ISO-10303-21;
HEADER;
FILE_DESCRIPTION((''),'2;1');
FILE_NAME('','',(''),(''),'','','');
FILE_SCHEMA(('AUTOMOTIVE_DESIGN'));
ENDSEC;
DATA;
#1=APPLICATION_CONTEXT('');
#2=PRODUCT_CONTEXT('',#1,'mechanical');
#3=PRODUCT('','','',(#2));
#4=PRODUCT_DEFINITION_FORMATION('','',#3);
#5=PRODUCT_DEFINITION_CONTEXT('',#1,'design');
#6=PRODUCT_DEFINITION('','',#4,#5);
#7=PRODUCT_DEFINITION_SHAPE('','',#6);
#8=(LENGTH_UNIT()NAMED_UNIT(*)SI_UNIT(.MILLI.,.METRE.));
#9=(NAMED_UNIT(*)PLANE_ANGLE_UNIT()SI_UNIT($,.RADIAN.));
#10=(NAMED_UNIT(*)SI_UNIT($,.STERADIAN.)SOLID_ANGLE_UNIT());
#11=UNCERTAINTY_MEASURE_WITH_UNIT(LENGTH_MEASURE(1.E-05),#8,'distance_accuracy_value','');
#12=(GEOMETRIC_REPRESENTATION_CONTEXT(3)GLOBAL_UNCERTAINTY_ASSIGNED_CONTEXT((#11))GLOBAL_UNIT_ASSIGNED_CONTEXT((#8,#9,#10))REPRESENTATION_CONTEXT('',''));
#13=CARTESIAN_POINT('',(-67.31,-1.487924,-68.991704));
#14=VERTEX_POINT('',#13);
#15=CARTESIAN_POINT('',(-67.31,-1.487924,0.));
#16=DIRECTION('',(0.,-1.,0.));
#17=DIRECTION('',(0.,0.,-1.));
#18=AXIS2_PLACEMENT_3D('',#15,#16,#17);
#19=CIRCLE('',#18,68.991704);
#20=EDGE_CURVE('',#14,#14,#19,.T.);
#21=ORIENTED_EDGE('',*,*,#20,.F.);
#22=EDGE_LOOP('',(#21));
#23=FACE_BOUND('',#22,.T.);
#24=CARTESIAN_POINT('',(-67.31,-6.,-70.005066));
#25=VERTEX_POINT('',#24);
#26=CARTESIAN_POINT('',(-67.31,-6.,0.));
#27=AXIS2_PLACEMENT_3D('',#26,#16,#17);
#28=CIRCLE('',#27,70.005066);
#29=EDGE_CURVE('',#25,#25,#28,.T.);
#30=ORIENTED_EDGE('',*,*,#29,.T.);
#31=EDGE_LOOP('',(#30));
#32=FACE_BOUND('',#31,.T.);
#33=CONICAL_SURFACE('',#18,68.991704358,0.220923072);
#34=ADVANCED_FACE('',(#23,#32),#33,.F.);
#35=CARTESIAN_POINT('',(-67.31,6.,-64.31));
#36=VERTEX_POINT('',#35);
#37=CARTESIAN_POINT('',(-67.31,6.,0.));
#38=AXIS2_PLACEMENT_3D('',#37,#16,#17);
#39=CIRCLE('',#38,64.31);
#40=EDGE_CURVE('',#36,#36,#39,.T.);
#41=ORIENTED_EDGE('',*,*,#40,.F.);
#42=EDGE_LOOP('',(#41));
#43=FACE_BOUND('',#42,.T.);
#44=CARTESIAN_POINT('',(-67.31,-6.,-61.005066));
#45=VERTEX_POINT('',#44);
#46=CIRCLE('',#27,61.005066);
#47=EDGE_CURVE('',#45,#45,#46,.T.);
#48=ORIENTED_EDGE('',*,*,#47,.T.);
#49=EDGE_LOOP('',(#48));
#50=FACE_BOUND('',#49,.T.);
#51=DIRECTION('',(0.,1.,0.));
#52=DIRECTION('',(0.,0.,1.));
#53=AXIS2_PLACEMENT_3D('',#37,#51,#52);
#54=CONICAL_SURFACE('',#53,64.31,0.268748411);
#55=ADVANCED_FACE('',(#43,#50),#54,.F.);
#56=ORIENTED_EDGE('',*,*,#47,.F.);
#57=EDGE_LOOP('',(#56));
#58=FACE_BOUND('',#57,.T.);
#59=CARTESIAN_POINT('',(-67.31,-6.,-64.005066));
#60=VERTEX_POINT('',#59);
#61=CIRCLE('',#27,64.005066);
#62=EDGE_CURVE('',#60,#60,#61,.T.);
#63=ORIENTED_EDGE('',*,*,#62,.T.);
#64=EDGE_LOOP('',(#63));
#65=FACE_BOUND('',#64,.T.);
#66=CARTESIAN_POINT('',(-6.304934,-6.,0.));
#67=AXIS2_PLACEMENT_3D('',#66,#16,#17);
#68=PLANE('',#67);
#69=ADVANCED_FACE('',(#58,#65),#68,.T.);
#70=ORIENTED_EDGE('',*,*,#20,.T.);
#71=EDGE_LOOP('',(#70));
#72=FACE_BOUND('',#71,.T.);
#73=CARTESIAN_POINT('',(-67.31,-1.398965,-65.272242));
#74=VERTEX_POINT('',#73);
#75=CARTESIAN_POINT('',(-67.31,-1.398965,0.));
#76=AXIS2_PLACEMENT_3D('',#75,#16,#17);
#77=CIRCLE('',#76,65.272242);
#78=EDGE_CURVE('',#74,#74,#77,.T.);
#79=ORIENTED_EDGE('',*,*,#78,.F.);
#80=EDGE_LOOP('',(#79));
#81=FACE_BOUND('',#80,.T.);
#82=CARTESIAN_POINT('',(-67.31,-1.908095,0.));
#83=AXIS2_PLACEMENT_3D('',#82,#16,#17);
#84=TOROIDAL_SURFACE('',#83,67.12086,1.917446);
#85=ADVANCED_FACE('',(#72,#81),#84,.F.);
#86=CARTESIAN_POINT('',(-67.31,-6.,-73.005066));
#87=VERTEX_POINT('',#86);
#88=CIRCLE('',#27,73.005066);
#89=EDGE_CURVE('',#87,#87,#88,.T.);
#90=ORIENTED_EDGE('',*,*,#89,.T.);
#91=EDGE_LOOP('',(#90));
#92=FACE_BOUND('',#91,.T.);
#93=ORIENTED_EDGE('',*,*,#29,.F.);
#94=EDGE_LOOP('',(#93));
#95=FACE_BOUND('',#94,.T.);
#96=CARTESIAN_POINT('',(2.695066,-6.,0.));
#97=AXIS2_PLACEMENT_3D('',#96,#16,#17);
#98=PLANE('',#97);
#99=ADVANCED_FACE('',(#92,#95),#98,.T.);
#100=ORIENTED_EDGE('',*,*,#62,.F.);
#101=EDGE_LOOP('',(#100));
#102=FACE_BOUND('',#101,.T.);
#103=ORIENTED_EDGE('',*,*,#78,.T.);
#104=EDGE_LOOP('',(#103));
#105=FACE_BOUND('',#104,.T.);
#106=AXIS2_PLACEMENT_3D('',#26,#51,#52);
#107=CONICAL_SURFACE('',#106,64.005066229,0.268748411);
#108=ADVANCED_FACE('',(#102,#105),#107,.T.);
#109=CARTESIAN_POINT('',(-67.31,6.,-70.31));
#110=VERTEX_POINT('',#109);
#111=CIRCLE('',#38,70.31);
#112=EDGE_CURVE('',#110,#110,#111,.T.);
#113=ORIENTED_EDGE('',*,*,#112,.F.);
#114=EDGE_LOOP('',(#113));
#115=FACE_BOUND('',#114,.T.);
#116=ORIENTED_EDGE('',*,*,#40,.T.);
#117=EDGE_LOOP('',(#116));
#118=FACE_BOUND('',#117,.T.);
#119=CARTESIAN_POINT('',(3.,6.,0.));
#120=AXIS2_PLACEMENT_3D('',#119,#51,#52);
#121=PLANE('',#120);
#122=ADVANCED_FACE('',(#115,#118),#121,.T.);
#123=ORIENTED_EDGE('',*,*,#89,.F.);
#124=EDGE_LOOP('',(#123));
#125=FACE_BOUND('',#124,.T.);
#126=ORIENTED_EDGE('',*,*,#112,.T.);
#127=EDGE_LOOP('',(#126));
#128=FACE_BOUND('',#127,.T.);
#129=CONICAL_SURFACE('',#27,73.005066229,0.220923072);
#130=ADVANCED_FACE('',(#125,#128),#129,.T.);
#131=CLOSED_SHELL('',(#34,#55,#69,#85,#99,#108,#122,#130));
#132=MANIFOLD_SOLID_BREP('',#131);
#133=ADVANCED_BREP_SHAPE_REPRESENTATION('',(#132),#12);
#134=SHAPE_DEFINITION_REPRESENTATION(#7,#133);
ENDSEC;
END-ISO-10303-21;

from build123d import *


with BuildPart() as part:
    # Sketch1 → Revolve1 (revolve)
    with BuildSketch(Plane.XY, mode=Mode.PRIVATE) as revolve1_sk:
        with BuildLine():
            Line((3, 6), (-3, 6))
            Line((-3, 6), (-6.304933771, -6))
            Line((-6.304933771, -6), (-3.304933771, -6))
            Line((-3.304933771, -6), (-2.037757503, -1.398965223))
            ThreePointArc((-2.037757503, -1.398965223), (-0.143292826, 0.008803125), (1.681704358, -1.487924443))
            Line((1.681704358, -1.487924443), (2.695066229, -6))
            Line((2.695066229, -6), (5.695066229, -6))
            Line((5.695066229, -6), (3, 6))
        make_face()
    revolve(revolve1_sk.sketch.rotate(Axis((-67.31, 0, 0), (0, 1, 0)), 90), axis=Axis((-67.31, 0, 0), (0, 1, 0)))


solid = part.part
